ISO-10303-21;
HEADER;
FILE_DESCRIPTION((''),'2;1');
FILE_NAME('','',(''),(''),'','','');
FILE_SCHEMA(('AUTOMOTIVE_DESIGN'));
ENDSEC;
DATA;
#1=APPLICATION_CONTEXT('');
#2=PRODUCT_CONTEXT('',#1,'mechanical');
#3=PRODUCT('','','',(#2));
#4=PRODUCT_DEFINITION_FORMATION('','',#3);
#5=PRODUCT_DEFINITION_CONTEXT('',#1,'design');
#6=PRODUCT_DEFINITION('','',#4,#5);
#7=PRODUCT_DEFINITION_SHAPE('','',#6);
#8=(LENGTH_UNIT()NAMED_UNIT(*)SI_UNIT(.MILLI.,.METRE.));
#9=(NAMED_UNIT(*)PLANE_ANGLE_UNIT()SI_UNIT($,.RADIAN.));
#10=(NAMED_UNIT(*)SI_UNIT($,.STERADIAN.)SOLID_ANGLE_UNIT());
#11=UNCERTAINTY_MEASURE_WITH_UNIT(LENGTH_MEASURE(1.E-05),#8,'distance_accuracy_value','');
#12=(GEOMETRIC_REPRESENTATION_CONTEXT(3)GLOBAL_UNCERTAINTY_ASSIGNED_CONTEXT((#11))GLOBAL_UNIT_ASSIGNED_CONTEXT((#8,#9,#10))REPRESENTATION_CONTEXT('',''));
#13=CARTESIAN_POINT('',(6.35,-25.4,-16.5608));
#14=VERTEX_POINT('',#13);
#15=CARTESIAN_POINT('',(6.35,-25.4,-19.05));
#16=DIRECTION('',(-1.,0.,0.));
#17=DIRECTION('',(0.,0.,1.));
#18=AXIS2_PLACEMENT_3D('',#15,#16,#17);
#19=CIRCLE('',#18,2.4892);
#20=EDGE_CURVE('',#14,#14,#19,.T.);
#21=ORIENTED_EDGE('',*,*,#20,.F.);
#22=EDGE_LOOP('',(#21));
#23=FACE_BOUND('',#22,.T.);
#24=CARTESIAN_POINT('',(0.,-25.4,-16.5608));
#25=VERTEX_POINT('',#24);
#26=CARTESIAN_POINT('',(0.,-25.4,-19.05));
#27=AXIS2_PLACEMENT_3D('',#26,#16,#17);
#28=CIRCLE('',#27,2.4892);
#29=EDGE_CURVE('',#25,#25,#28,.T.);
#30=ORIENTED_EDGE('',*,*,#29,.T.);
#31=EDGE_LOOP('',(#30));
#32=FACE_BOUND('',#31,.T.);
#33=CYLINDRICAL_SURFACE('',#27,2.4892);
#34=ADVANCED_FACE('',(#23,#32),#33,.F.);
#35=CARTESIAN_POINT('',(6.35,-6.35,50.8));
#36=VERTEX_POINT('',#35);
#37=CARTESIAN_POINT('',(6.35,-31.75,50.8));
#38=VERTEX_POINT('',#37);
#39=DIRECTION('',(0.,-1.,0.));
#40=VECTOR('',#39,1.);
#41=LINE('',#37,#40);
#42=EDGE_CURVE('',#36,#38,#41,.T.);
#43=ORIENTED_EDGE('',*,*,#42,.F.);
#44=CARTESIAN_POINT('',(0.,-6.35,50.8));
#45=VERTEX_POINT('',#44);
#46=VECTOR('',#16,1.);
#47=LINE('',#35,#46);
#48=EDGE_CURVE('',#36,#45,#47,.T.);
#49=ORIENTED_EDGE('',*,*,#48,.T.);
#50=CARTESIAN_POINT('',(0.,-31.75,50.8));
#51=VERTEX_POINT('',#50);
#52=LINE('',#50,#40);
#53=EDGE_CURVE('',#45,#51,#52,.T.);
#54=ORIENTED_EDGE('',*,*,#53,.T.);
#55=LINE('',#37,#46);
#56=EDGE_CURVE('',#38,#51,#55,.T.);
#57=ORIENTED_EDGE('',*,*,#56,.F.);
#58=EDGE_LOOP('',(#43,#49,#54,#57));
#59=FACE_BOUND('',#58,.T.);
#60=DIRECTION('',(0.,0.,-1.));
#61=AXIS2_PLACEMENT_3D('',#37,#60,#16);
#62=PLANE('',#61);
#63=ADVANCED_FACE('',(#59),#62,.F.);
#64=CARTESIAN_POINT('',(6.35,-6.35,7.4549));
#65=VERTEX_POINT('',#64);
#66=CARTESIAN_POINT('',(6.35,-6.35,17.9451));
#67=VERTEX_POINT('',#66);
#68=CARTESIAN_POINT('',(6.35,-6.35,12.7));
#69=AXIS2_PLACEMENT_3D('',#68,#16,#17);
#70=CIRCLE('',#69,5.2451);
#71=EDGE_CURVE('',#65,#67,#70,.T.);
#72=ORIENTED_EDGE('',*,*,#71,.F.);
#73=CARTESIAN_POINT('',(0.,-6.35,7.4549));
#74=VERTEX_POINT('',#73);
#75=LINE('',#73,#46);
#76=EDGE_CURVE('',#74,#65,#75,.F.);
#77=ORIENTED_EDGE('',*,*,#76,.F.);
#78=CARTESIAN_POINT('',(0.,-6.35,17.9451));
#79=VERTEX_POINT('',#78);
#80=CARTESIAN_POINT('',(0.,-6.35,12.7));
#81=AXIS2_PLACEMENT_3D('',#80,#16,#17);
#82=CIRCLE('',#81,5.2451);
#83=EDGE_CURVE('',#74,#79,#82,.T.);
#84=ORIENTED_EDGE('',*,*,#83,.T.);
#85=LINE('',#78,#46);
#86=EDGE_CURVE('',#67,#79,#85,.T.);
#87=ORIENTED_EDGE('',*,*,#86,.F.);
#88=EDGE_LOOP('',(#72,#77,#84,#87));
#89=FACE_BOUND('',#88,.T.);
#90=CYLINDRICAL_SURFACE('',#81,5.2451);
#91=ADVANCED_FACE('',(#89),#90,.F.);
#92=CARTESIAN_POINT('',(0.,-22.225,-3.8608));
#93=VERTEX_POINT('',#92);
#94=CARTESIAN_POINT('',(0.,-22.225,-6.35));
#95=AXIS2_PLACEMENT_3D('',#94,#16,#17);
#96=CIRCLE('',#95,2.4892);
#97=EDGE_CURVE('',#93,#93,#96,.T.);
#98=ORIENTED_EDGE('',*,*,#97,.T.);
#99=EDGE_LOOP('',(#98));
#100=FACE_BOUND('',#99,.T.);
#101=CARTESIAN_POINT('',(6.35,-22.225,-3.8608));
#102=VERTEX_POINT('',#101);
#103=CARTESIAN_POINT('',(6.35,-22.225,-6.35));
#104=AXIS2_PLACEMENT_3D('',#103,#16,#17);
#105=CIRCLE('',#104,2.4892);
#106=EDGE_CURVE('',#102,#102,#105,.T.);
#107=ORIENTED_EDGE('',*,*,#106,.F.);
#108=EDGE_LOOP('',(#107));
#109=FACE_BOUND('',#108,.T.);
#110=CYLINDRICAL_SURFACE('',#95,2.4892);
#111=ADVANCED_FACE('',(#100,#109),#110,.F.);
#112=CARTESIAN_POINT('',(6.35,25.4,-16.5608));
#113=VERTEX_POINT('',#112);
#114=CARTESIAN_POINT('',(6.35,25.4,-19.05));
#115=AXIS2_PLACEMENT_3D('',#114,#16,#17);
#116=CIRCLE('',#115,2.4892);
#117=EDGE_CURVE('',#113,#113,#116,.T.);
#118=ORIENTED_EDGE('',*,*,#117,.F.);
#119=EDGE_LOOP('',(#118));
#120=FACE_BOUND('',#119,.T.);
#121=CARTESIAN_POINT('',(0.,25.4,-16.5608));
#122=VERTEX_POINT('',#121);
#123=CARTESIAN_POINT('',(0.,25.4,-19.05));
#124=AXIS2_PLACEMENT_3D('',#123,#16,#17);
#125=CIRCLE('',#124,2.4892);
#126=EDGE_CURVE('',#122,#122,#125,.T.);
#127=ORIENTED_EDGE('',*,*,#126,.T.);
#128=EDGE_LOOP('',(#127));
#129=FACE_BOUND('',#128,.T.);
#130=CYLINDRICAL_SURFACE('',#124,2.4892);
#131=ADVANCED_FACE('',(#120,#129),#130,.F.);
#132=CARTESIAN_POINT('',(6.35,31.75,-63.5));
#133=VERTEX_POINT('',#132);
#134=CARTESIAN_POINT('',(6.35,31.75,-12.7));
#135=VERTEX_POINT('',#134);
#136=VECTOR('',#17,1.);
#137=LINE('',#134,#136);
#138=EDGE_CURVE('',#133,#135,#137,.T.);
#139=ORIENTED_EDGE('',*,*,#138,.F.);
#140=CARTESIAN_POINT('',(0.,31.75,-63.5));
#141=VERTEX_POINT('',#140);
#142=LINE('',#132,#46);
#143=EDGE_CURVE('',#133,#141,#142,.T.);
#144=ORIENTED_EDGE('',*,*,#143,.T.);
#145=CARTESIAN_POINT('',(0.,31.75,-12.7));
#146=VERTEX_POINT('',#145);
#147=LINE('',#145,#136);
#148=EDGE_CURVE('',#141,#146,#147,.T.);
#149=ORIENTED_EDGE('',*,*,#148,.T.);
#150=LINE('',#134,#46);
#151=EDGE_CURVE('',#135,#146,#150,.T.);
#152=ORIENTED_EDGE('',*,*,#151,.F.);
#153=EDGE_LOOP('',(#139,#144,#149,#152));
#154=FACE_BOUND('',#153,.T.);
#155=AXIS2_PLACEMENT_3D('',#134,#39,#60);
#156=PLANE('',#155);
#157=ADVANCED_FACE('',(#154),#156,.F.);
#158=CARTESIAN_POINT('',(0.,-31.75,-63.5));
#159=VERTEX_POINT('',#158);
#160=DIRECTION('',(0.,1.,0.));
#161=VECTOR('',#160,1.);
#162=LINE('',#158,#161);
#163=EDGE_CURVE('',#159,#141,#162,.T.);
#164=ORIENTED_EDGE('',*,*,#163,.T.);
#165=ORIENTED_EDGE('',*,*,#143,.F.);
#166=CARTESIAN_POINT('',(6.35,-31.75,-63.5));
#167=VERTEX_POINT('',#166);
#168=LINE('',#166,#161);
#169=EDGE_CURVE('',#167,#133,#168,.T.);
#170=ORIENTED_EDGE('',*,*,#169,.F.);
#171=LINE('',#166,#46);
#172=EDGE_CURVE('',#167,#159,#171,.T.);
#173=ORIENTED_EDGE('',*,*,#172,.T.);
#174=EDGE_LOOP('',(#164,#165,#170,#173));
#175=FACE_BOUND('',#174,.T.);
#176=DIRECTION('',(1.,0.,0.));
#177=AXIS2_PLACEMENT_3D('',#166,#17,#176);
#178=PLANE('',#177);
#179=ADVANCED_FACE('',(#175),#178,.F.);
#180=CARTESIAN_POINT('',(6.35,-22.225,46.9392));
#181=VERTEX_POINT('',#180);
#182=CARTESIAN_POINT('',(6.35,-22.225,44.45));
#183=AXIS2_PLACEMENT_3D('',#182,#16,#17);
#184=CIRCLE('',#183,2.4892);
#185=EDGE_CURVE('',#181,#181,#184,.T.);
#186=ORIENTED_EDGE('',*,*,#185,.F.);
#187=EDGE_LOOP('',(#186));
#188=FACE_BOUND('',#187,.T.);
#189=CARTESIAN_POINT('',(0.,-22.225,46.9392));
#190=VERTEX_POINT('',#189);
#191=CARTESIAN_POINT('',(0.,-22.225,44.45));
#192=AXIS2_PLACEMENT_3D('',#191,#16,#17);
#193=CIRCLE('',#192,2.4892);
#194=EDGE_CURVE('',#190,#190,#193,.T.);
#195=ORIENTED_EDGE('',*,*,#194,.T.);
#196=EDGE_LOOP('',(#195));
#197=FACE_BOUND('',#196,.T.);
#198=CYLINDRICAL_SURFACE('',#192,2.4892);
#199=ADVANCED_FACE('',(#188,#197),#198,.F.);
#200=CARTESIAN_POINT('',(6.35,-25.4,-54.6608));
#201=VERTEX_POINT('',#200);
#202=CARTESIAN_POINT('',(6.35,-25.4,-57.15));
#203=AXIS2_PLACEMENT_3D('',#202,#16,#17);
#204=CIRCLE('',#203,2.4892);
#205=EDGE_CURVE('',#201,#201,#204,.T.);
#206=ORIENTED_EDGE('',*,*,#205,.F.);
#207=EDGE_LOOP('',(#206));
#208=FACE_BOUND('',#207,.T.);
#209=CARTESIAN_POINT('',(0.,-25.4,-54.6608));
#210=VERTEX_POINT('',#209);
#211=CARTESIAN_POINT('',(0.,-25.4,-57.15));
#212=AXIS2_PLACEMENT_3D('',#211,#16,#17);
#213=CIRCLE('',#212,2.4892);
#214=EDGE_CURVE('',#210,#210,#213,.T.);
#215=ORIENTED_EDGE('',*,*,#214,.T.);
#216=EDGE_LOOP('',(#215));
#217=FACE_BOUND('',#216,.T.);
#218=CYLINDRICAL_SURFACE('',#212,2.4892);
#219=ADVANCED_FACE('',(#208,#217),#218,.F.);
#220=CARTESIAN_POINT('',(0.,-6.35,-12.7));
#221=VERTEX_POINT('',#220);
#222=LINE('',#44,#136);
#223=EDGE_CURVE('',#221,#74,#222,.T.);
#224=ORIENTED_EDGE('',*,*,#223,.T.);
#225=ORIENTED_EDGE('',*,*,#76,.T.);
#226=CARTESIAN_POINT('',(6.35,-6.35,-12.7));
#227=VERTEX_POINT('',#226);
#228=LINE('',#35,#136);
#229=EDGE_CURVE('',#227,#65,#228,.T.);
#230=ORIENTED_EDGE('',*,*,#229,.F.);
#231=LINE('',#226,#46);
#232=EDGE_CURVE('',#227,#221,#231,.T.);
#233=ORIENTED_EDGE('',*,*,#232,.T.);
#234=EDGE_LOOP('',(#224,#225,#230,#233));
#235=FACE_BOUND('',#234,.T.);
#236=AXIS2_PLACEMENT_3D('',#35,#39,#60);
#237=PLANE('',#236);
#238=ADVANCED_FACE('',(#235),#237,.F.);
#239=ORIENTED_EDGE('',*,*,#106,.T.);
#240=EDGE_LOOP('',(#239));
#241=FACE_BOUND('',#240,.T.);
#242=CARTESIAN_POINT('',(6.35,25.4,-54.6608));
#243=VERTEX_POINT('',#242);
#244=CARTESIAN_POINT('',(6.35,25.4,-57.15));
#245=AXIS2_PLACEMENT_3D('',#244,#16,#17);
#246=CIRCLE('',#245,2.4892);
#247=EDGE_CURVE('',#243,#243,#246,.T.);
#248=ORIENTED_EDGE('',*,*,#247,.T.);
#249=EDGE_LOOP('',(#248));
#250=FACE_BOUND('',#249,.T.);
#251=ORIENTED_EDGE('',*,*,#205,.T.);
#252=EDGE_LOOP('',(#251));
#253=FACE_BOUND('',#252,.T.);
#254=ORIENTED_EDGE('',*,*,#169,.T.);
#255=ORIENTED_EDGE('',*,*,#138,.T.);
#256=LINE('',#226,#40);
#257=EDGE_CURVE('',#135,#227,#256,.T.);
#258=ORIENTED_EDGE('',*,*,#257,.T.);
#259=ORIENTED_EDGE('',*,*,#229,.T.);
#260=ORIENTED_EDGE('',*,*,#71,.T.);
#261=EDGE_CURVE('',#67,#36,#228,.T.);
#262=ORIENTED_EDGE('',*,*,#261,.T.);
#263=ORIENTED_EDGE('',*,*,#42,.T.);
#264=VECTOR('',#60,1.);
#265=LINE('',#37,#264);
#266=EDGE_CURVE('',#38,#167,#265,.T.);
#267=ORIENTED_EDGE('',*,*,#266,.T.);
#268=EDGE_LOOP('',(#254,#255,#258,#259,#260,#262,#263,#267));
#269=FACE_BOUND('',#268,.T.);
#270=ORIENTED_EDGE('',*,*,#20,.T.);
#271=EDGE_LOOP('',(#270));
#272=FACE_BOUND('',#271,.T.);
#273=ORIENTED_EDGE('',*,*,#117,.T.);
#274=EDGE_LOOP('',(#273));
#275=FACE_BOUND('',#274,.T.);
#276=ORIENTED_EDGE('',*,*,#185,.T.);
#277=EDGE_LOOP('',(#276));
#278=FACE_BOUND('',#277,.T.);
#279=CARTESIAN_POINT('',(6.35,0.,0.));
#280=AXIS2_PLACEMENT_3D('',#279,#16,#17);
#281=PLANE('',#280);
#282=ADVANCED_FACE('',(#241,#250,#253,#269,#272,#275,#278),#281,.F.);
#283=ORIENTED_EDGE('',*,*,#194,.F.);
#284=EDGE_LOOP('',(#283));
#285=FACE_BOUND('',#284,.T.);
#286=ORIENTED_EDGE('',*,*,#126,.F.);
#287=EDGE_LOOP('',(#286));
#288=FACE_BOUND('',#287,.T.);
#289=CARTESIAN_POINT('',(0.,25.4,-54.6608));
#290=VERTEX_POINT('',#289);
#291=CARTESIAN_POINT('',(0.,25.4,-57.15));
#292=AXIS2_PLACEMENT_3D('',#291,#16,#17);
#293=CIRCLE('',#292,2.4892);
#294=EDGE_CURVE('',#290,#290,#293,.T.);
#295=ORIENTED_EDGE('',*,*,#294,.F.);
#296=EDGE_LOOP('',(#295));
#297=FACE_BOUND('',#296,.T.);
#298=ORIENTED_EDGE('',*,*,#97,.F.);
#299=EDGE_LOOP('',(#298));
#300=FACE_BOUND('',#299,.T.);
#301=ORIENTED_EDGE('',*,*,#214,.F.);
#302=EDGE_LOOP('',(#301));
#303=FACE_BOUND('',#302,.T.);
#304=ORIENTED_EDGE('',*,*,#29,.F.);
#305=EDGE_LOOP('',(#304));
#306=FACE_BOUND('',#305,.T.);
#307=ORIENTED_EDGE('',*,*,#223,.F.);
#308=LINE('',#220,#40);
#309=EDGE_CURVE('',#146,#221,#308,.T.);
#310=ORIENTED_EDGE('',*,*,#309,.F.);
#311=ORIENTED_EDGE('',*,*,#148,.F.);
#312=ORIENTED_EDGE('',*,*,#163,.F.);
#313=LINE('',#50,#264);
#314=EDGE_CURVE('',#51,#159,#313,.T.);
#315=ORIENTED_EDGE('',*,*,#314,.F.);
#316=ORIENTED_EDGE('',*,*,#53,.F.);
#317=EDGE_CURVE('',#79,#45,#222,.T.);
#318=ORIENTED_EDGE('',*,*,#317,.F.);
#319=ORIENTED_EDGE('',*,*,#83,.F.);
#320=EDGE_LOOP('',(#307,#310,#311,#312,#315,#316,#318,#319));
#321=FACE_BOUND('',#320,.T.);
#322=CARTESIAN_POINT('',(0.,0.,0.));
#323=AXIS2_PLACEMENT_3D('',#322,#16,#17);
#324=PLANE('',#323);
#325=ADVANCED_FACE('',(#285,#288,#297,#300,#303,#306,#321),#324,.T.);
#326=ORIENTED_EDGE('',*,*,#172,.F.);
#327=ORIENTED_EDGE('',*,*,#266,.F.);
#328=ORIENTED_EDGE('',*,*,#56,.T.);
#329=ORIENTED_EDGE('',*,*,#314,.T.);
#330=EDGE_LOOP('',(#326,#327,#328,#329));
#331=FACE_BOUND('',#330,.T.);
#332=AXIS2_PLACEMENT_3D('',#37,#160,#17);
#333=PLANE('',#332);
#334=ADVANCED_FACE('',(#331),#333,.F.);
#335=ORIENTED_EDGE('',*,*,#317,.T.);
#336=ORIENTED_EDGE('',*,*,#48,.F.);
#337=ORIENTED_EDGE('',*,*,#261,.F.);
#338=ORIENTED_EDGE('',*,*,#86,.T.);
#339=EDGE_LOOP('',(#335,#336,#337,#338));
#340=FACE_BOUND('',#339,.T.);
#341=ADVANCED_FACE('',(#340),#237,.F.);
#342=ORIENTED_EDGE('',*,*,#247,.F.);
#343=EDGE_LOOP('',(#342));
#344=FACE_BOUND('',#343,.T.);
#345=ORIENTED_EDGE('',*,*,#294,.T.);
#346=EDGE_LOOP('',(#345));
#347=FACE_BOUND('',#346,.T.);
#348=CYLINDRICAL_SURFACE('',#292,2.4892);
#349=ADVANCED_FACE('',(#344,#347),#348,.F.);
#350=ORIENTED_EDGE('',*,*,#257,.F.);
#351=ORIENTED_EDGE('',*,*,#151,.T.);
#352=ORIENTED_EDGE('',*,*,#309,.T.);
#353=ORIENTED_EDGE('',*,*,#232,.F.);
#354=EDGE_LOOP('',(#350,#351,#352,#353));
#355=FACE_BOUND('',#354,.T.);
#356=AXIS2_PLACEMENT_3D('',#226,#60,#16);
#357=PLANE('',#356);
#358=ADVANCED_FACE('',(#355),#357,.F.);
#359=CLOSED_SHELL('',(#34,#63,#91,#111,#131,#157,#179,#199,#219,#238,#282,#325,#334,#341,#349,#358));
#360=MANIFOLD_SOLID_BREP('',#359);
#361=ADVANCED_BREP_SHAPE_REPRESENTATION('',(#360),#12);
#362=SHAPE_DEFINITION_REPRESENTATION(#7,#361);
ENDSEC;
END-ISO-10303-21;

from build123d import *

# Parameters (mm, degrees)
BOSS_EXTRUDE1_DEPTH            = 6.35
F_9_0_196_DIAMETER_HOLE1_D     = 4.9784
F_9_0_196_DIAMETER_HOLE1_DEPTH = 70.104
F_9_0_196_DIAMETER_HOLE1_TIP   = 1.495662253
F_9_0_196_DIAMETER_HOLE2_D     = 4.9784
F_9_0_196_DIAMETER_HOLE2_DEPTH = 70.104
F_9_0_196_DIAMETER_HOLE2_TIP   = 1.495662253
Z_0_413_DIAMETER_HOLE1_D       = 10.4902
Z_0_413_DIAMETER_HOLE1_DEPTH   = 70.104
Z_0_413_DIAMETER_HOLE1_TIP     = 3.151574033


with BuildPart() as part:
    # Sketch1 → Boss-Extrude1 (new body)
    with BuildSketch(Plane(origin=(0, 0, 0), x_dir=(0, 0, -1), z_dir=(1, 0, 0))):
        Polygon((-50.8, -6.35), (12.7, -6.35), (12.7, 31.75), (63.5, 31.75), (63.5, -31.75), (-50.8, -31.75), align=None)
    extrude(amount=BOSS_EXTRUDE1_DEPTH)

    # #9 (0.196) Diameter Hole1
    with Locations(Plane.ZY):
        with Locations((44.45, -22.225), (-6.35, -22.225)):
            Hole(F_9_0_196_DIAMETER_HOLE1_D / 2, depth=F_9_0_196_DIAMETER_HOLE1_DEPTH)
            with Locations((0, 0, -(F_9_0_196_DIAMETER_HOLE1_DEPTH + F_9_0_196_DIAMETER_HOLE1_TIP / 2))):  # 118° drill point
                Cone(0, F_9_0_196_DIAMETER_HOLE1_D / 2, F_9_0_196_DIAMETER_HOLE1_TIP, mode=Mode.SUBTRACT)

    # #9 (0.196) Diameter Hole2
    with Locations(Plane.ZY):
        with Locations((-57.15, -25.4), (-19.05, -25.4), (-19.05, 25.4), (-57.15, 25.4)):
            Hole(F_9_0_196_DIAMETER_HOLE2_D / 2, depth=F_9_0_196_DIAMETER_HOLE2_DEPTH)
            with Locations((0, 0, -(F_9_0_196_DIAMETER_HOLE2_DEPTH + F_9_0_196_DIAMETER_HOLE2_TIP / 2))):  # 118° drill point
                Cone(0, F_9_0_196_DIAMETER_HOLE2_D / 2, F_9_0_196_DIAMETER_HOLE2_TIP, mode=Mode.SUBTRACT)

    # Z (0.413) Diameter Hole1
    with Locations(Plane.ZY):
        with Locations((12.7, -6.35)):
            Hole(Z_0_413_DIAMETER_HOLE1_D / 2, depth=Z_0_413_DIAMETER_HOLE1_DEPTH)
            with Locations((0, 0, -(Z_0_413_DIAMETER_HOLE1_DEPTH + Z_0_413_DIAMETER_HOLE1_TIP / 2))):  # 118° drill point
                Cone(0, Z_0_413_DIAMETER_HOLE1_D / 2, Z_0_413_DIAMETER_HOLE1_TIP, mode=Mode.SUBTRACT)


solid = part.part
